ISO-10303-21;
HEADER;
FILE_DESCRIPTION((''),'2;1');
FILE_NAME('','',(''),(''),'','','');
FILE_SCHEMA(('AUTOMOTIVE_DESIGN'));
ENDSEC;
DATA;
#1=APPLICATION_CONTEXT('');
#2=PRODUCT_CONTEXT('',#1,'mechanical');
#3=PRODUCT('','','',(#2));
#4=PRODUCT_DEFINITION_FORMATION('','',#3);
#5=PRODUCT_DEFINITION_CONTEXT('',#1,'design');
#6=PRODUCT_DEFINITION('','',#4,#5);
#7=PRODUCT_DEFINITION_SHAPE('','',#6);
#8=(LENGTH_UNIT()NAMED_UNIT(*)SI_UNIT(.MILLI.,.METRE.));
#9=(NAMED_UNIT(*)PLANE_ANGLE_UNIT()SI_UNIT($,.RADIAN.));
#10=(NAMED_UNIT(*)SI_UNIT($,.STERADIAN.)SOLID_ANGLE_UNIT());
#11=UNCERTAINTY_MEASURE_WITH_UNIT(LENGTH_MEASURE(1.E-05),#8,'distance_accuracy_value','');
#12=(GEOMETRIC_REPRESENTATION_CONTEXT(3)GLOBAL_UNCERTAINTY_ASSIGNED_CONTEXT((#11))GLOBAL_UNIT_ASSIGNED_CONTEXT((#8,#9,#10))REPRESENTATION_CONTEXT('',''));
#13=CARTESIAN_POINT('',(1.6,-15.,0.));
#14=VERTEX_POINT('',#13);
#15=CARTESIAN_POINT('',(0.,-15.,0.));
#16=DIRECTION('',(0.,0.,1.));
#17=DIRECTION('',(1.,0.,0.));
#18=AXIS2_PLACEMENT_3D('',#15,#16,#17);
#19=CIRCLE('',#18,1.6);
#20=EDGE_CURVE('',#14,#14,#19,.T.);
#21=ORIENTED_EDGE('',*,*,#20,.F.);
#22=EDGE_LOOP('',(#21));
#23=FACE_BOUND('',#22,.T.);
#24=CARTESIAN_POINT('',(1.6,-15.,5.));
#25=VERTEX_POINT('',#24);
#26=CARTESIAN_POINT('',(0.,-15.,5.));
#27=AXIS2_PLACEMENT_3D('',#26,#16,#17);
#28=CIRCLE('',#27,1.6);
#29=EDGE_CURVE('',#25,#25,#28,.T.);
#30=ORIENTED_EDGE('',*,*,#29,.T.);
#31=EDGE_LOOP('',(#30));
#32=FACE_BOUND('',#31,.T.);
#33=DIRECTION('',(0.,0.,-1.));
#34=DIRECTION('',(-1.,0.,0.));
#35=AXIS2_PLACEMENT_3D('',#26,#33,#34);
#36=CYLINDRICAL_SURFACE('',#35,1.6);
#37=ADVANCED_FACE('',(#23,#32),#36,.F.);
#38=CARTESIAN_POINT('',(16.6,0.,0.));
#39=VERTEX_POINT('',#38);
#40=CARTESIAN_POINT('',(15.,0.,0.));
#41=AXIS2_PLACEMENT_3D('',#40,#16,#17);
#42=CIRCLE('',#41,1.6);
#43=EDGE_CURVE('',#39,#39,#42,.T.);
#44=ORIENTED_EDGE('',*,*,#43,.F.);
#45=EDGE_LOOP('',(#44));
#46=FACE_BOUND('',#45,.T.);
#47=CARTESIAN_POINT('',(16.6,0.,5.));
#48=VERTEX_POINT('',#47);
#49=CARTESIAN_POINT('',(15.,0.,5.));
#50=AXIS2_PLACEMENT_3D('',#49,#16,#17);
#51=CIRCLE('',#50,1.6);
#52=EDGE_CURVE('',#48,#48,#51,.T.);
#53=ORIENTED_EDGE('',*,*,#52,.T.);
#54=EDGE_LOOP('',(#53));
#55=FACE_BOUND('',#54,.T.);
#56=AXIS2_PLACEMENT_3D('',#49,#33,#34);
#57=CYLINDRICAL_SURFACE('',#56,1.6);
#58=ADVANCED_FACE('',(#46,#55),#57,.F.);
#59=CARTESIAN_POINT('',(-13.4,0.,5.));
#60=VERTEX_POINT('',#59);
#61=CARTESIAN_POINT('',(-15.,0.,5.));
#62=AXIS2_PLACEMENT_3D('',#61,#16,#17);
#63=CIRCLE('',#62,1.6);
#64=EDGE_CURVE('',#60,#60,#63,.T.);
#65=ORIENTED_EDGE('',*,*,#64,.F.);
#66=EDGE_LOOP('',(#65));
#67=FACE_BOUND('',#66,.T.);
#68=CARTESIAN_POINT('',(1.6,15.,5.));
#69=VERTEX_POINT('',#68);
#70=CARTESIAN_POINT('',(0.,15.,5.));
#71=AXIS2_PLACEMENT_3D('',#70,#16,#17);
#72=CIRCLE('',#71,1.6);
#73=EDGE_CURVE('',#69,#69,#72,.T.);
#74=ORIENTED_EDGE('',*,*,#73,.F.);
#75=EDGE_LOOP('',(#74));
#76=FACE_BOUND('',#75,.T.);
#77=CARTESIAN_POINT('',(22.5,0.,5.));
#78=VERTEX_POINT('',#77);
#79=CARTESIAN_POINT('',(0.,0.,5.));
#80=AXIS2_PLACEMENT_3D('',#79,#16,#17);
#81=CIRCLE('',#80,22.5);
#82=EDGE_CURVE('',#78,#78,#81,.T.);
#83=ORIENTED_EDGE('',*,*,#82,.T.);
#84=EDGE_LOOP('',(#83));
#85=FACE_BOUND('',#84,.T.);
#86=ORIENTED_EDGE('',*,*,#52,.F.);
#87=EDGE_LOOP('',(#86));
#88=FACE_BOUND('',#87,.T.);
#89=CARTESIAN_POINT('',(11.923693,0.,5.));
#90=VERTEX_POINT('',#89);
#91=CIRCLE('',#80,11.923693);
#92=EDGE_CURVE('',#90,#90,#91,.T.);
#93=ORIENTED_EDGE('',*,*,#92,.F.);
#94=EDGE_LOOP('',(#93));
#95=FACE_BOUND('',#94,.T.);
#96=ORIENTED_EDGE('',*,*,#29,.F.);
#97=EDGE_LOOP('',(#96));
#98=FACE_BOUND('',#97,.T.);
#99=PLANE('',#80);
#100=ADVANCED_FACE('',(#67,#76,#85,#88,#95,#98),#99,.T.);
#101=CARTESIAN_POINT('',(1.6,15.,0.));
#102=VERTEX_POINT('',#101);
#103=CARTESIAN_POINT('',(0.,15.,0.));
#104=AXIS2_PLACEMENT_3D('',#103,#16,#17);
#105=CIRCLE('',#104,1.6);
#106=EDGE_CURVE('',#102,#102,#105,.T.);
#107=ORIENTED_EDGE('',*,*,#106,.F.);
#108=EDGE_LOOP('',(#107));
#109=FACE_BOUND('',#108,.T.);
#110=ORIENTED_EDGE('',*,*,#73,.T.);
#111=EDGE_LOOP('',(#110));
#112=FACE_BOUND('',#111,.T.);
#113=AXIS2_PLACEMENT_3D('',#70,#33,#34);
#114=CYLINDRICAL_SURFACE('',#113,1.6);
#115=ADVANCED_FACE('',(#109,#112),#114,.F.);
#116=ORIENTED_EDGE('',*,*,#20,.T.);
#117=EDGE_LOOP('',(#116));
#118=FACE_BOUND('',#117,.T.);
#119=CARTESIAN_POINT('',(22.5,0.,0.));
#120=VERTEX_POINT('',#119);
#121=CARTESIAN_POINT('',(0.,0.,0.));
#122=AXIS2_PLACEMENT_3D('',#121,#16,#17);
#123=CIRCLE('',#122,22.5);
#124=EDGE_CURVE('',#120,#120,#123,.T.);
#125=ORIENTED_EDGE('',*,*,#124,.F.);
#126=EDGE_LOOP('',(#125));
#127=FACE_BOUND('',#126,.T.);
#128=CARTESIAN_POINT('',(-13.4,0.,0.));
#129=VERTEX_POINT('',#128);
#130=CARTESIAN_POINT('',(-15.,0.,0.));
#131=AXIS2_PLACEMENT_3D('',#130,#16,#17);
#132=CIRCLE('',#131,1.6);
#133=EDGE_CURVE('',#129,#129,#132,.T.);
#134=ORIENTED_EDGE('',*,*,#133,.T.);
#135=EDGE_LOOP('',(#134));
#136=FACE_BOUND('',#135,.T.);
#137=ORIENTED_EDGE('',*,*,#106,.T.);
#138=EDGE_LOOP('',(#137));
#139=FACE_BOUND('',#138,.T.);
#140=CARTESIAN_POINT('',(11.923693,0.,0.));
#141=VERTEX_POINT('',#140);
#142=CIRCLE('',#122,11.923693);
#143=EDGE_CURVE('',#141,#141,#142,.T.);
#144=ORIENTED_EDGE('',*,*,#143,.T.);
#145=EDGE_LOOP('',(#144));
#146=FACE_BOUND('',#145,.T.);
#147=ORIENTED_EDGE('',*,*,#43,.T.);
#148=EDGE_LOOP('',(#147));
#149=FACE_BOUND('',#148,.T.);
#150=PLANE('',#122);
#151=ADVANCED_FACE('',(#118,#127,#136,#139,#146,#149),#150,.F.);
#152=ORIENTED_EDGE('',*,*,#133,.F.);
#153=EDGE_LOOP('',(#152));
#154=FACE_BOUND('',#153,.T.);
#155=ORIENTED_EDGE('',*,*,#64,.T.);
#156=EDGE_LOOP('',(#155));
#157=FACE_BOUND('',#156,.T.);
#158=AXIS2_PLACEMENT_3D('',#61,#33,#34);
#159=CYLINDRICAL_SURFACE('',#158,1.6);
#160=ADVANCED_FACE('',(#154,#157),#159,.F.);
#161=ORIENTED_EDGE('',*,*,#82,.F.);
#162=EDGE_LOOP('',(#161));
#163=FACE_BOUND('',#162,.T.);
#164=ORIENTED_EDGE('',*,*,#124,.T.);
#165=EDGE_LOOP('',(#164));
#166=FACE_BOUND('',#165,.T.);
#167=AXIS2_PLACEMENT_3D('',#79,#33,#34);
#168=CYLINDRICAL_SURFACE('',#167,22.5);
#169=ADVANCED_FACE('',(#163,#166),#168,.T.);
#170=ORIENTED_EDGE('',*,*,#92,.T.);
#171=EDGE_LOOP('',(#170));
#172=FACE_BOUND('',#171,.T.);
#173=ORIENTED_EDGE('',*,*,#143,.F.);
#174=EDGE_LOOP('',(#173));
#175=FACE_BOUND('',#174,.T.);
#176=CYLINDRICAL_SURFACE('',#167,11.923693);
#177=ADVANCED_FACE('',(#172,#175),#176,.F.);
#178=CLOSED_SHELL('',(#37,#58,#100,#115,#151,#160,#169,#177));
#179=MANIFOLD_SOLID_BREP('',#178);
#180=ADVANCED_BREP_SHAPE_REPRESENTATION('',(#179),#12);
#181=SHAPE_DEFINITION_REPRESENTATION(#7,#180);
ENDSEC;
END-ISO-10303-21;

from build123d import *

# Parameters (mm, degrees)
SKETCH1_R           = 22.5
SKETCH1_R_2         = 1.6
SKETCH1_R_3         = 11.923692715
BOSS_EXTRUDE1_DEPTH = 5


with BuildPart() as part:
    # Sketch1 → Boss-Extrude1 (new body)
    with BuildSketch(Plane.XY):
        Circle(SKETCH1_R)
        with Locations((0, 15)):
            Circle(SKETCH1_R_2, mode=Mode.SUBTRACT)
        with Locations((15, 0)):
            Circle(SKETCH1_R_2, mode=Mode.SUBTRACT)
        with Locations((0, -15)):
            Circle(SKETCH1_R_2, mode=Mode.SUBTRACT)
        with Locations((-15, 0)):
            Circle(SKETCH1_R_2, mode=Mode.SUBTRACT)
        Circle(SKETCH1_R_3, mode=Mode.SUBTRACT)
    extrude(amount=BOSS_EXTRUDE1_DEPTH)


solid = part.part
